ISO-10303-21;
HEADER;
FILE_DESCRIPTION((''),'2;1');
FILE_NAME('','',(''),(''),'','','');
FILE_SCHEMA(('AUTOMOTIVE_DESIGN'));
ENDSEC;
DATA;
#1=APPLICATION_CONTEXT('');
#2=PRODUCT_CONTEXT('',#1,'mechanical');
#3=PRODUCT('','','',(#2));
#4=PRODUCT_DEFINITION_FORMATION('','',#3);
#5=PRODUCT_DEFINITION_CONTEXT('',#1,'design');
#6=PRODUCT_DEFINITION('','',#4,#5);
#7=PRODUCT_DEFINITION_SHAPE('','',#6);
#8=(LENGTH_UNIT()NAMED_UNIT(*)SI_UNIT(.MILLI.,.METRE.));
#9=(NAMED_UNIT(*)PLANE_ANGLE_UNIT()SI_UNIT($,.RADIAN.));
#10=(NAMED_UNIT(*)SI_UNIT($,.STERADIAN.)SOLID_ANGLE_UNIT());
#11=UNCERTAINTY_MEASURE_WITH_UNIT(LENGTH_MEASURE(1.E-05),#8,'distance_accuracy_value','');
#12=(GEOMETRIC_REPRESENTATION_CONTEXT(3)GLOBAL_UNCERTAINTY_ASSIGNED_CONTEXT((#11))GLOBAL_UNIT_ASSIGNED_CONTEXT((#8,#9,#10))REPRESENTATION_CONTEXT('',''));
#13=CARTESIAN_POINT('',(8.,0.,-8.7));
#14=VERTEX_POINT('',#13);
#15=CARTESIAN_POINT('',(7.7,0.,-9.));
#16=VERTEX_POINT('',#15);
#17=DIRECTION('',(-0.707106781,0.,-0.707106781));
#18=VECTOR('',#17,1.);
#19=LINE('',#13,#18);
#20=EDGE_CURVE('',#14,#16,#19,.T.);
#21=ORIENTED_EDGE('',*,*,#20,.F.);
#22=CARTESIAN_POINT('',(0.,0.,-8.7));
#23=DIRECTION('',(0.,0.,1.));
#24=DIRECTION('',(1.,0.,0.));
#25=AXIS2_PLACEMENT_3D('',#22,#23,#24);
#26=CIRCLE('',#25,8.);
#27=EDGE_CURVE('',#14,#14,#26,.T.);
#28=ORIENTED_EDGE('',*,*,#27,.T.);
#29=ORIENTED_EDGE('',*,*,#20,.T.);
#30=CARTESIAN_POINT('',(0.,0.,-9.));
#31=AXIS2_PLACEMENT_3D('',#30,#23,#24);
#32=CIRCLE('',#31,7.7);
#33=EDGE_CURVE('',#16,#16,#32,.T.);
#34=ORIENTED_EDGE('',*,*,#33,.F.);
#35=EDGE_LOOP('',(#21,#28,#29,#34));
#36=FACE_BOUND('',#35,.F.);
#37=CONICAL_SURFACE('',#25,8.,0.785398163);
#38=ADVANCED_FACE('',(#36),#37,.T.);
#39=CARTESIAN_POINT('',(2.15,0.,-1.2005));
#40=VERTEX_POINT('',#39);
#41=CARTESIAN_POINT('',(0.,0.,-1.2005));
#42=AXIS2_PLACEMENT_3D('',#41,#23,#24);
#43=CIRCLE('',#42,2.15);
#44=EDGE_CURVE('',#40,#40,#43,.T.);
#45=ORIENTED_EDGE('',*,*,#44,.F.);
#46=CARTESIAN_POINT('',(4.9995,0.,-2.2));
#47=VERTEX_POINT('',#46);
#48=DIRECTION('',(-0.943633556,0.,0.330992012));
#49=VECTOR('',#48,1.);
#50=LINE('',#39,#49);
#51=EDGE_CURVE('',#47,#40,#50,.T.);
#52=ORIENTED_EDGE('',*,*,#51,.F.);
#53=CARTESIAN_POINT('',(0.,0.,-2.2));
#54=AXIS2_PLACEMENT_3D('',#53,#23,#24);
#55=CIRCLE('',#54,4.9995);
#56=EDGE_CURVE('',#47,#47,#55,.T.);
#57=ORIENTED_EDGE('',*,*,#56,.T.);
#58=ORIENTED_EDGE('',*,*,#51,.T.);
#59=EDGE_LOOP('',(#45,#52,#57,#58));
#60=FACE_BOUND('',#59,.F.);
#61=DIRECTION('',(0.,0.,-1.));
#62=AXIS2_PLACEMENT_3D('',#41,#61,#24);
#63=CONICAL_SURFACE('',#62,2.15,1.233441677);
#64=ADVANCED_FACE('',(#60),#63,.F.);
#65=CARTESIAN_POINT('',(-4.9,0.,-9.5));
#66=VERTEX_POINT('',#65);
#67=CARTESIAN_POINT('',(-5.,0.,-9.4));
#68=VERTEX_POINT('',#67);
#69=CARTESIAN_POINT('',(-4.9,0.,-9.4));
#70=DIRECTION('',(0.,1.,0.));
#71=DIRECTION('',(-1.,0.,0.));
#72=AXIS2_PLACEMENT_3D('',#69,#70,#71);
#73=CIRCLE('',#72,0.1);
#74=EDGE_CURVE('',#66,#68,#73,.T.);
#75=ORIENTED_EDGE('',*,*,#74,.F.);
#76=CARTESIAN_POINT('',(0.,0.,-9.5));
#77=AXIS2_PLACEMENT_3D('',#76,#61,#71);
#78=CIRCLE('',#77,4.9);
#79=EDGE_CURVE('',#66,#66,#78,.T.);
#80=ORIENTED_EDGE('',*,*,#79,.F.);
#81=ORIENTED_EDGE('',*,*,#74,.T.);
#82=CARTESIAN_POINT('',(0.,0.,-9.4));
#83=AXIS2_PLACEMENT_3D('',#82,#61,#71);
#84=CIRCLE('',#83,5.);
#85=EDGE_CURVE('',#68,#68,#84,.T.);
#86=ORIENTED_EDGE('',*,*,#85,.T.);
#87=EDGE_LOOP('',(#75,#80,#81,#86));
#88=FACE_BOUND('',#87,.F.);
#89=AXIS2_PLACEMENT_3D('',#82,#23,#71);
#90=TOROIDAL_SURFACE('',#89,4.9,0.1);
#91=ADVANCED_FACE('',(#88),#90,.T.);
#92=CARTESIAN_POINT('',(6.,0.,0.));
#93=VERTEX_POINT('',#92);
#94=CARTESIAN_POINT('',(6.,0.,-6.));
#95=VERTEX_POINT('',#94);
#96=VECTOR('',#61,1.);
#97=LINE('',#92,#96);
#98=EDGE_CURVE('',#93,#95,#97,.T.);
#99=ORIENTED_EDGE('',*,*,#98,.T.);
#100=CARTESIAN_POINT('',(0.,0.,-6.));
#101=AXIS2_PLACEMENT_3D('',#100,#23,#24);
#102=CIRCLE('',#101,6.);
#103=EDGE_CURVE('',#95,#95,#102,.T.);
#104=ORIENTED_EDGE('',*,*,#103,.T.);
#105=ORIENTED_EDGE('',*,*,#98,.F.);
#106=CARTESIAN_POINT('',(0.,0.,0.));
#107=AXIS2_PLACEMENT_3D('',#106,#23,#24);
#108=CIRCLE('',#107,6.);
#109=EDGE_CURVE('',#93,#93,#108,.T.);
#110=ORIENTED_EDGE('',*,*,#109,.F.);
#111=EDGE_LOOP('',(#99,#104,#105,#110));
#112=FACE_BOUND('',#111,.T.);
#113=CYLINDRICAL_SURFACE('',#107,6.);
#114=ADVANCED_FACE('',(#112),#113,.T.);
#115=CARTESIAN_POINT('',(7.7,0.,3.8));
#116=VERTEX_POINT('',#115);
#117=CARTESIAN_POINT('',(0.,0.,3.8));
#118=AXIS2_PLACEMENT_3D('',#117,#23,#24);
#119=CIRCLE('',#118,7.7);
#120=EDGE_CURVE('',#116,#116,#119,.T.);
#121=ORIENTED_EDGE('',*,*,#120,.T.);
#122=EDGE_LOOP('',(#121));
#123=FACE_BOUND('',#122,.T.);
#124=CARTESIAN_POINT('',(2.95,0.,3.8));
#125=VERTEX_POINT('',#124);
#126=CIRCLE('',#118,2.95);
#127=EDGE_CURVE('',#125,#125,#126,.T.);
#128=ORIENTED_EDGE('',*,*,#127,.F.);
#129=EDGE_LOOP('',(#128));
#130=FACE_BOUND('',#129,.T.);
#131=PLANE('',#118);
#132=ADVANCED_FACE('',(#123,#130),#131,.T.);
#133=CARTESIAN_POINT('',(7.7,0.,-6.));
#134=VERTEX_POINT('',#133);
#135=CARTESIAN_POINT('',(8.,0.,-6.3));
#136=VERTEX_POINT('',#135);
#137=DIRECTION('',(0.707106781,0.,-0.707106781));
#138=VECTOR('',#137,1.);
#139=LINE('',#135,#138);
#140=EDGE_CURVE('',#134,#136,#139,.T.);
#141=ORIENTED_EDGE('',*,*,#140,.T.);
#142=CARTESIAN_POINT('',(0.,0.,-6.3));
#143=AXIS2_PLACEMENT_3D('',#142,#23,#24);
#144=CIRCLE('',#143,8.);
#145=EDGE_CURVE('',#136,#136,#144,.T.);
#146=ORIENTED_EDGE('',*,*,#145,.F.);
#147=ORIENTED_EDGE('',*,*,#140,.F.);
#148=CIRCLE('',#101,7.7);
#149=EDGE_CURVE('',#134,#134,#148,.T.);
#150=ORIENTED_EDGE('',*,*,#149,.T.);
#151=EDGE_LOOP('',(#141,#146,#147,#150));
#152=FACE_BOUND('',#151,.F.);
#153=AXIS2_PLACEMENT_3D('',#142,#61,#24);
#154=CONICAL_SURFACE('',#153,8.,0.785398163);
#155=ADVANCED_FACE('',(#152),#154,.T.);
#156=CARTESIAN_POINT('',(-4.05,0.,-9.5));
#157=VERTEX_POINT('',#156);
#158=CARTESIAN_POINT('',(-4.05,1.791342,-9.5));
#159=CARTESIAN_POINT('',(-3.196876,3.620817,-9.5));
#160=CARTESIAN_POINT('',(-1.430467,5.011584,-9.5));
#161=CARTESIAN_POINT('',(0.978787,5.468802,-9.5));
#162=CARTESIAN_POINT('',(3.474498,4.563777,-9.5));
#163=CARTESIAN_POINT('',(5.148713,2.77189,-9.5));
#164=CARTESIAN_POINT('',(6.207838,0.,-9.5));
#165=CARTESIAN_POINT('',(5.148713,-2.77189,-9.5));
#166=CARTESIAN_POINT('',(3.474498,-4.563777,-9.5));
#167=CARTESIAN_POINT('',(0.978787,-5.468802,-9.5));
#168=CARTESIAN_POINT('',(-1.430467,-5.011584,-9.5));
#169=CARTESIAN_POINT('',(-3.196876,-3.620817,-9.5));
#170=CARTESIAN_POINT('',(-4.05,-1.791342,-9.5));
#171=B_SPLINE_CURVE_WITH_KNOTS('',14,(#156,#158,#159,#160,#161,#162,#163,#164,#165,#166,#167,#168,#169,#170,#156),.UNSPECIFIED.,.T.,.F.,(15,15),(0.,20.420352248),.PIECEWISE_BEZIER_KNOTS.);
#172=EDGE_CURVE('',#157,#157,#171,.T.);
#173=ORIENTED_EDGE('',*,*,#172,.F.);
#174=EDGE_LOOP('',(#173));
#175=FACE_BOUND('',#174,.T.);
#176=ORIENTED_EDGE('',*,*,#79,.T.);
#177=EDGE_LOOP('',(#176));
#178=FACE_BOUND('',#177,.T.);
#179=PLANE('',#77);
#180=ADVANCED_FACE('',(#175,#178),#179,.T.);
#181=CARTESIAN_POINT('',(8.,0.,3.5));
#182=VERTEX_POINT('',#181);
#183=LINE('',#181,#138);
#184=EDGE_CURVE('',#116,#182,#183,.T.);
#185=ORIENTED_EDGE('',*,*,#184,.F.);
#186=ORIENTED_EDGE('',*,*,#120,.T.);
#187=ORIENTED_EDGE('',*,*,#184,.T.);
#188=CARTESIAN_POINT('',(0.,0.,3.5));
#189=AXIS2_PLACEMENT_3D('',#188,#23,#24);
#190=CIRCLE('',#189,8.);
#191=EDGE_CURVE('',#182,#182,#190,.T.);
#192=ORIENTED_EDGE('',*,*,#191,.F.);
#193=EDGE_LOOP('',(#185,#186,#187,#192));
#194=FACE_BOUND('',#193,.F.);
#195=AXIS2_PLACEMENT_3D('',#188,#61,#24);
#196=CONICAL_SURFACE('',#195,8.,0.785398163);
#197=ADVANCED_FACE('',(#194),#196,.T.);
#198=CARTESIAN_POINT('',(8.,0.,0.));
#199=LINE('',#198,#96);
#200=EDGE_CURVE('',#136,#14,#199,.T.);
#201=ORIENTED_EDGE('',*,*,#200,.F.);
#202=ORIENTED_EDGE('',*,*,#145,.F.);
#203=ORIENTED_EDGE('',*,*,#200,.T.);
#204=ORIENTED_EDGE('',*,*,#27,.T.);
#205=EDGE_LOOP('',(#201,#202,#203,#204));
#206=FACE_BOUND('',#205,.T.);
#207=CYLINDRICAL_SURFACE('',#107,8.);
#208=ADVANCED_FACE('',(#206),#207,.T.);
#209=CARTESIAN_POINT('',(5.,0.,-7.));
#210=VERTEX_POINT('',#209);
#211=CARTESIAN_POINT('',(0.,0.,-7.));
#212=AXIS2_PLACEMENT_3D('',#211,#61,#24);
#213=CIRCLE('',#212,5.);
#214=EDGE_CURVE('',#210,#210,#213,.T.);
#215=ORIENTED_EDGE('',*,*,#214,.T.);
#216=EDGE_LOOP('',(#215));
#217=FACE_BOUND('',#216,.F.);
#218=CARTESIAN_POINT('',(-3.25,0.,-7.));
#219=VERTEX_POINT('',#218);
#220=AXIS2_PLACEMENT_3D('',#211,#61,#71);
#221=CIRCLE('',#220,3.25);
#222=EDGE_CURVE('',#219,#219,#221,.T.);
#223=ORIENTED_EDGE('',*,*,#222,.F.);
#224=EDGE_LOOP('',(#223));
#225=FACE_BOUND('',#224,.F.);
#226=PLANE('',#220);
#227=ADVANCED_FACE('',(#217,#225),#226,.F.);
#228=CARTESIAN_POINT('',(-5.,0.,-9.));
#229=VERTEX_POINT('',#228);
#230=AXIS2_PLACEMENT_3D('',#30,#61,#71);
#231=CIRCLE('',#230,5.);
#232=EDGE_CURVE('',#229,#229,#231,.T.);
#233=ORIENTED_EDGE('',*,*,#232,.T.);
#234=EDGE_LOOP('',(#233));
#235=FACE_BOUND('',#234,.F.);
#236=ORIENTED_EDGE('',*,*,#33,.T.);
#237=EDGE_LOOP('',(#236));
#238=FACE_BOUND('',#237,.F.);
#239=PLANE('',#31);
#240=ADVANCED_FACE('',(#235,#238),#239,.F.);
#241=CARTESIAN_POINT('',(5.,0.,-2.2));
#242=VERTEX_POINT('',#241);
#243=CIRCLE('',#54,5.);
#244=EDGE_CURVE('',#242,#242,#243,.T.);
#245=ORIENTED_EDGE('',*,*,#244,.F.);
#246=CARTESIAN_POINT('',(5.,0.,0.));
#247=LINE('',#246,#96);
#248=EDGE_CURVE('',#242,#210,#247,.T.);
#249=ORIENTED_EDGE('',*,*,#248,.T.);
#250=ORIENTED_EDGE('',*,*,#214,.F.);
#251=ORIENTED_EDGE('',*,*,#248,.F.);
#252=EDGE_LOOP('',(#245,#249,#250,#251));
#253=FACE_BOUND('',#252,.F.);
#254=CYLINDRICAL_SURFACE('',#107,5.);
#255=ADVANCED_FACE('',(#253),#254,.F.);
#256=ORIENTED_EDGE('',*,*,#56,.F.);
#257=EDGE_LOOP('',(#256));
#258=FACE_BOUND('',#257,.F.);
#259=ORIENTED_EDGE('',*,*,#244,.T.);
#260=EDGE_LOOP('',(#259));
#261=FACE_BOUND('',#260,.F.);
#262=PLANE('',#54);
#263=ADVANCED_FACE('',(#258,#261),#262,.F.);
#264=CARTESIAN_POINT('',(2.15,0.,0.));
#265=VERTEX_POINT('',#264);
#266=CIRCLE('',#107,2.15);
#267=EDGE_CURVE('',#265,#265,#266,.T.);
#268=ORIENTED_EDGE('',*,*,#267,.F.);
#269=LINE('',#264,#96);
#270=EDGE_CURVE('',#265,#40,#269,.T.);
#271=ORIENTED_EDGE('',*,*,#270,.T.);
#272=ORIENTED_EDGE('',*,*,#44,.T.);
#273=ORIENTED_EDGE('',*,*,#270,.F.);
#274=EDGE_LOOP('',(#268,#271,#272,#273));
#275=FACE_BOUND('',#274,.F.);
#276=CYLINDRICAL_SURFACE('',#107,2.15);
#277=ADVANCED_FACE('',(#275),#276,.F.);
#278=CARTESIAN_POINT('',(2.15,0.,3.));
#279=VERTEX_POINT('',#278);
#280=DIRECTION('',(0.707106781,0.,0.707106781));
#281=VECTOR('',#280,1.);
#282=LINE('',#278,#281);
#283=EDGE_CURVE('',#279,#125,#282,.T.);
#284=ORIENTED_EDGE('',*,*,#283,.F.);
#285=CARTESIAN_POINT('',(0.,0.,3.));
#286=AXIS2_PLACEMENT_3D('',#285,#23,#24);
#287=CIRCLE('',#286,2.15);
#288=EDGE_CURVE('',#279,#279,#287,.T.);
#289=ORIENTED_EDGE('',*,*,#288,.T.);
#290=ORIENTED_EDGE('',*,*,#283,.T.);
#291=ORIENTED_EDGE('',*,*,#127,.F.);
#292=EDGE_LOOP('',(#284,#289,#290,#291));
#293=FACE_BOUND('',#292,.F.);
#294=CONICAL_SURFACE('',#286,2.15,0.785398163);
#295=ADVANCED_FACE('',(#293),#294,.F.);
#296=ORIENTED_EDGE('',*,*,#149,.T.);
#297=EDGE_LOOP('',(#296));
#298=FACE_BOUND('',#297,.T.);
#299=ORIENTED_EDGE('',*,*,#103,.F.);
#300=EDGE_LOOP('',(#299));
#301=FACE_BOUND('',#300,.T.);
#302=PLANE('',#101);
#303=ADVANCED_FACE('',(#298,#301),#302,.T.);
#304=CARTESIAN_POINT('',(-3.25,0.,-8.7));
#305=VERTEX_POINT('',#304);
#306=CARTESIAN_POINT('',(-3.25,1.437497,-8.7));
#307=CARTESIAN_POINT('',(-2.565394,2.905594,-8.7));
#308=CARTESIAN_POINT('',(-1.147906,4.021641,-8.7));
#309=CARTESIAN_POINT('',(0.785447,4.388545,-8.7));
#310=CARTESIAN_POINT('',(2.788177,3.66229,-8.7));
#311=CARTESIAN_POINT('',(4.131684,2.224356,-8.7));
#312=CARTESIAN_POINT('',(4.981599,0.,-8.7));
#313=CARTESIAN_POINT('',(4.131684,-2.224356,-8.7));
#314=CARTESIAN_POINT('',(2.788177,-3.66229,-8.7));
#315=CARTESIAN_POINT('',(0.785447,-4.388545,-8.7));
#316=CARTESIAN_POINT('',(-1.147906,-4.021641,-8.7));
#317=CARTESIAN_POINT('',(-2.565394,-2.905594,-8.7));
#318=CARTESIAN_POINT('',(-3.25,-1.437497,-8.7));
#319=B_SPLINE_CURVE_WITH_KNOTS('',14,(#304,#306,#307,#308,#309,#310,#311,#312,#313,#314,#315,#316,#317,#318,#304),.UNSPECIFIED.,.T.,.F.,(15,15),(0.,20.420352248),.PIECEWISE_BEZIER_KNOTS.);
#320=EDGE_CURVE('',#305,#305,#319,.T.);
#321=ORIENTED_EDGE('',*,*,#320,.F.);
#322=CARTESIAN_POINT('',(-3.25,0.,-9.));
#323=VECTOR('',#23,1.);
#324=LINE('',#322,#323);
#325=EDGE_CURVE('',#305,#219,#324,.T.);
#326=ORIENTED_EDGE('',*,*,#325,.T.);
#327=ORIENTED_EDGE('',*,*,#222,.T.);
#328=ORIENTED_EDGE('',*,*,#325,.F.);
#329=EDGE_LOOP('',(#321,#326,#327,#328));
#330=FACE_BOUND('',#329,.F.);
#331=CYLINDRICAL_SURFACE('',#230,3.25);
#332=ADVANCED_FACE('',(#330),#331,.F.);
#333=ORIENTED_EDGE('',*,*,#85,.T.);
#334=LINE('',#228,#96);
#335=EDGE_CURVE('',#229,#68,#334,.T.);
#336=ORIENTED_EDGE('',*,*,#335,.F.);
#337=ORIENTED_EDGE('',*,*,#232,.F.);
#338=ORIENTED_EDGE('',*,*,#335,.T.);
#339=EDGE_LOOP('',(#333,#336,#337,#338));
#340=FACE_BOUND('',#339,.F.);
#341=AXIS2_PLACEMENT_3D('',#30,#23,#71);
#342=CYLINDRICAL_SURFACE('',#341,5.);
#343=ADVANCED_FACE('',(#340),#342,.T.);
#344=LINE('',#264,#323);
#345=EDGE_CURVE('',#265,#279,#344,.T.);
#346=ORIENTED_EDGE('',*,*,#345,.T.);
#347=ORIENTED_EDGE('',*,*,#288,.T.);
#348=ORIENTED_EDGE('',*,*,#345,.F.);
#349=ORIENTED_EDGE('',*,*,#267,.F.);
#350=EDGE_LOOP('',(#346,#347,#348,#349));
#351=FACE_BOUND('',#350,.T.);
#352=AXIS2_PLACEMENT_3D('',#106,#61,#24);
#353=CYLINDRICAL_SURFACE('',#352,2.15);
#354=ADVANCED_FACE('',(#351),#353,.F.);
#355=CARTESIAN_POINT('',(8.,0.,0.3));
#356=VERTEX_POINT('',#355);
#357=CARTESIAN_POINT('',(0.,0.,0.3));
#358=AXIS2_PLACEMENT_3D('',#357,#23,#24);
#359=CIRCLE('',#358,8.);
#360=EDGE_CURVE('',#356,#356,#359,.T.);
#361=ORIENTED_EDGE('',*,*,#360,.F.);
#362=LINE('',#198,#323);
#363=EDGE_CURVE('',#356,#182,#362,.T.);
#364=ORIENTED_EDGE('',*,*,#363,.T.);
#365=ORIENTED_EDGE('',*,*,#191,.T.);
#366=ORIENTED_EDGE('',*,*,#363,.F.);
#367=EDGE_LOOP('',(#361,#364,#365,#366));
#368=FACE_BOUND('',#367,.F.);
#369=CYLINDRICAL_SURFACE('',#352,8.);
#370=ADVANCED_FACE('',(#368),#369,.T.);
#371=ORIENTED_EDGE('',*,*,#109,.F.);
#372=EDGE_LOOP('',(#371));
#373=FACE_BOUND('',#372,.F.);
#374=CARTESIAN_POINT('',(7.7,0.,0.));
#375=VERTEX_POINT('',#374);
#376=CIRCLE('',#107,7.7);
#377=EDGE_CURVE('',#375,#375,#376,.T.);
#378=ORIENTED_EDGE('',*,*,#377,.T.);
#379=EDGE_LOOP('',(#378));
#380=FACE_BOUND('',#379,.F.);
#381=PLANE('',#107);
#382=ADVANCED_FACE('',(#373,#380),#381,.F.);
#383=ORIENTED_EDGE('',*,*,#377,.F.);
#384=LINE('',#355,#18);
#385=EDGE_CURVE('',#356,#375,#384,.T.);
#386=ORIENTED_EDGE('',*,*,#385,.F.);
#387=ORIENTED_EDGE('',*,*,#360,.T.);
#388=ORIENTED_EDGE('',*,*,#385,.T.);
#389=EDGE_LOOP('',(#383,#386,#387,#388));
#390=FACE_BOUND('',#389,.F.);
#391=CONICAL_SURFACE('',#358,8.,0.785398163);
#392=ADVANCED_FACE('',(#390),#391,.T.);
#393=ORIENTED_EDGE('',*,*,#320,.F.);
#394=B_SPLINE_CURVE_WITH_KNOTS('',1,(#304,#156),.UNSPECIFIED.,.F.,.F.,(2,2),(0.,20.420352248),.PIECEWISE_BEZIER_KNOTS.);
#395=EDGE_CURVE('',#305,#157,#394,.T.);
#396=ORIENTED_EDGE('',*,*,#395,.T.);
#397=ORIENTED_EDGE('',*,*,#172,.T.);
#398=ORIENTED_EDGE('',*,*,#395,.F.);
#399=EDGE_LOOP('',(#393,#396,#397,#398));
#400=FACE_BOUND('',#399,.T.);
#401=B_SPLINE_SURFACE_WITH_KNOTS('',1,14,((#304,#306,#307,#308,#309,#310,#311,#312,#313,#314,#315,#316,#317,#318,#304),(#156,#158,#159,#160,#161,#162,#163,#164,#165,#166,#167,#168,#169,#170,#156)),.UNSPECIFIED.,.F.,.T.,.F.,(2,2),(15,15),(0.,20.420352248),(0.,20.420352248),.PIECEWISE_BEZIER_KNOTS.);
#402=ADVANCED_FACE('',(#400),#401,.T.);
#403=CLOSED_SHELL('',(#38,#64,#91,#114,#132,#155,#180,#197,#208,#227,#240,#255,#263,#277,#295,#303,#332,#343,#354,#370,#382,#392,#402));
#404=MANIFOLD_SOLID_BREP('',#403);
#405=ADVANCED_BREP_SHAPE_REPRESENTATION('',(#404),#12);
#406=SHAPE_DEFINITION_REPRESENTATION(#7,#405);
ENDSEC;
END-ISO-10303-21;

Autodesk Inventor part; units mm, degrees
ref_plane "YZ Plane" through (0, 0, 0) normal (1, 0, 0) x (0, 1, 0)
ref_plane "XZ Plane" through (0, 0, 0) normal (0, 1, 0) x (-1, 0, 0)
ref_plane "XY Plane" through (0, 0, 0) normal (0, 0, 1) x (1, 0, 0)
sketch "Эскиз1" plane through (0, 0, 0) normal (0, 0, 1) x (1, 0, 0)
  line L0 (0, 0) -> (0, 15) construction
  line L1 (0, 0) -> (-22, 0) construction
  circle A0 centre (0, 0) radius 2.15
  circle A1 centre (0, 0) radius 8
  circle A2 centre (0, 0) radius 6
  circle A3 centre (0, 0) radius 5
  dimension "d0" = 4.3
  dimension "d1" = 16
  dimension "d2" = 12
  dimension "d3" = 10
extrude "Выдавливание1" add sketch "Эскиз1" along normal blind 3.8 contours A1 | A2 | A3
extrude "Выдавливание2" add sketch "Эскиз1" against normal blind 9 contours A1 | A2
extrude "Выдавливание3" cut sketch "Эскиз1" against normal blind 6 contours A1
extrude "Выдавливание4" add sketch "Эскиз1" against normal blind 2.2 contours A3
chamfer "Фаска1" distance 2.85 distance2 1 1 edges at (-2.15, 0, -2.2) measured on face at (4.0016, -0.3989, -2.2)
sketch "Эскиз2" plane through (0, 0, -9) normal (0, 0, -1) x (-1, 0, 0)
  circle A0 centre (0, 0) radius 5
  circle A1 centre (0, 0) radius 3.25
  dimension "d15" = 10
  dimension "d16" = 6.5
extrude "Выдавливание5" add sketch "Эскиз2" along normal blind 0.5 and the other way blind 2
chamfer "Фаска2" distance 0.8 angle 45 1 edges at (3.25, 0, -9.5)
fillet "Сопряжение1" radius 0.1 1 edges at (5, 0, -9.5)
chamfer "Фаска3" distance 0.8 angle 45 1 edges at (-2.15, 0, 3.8)
chamfer "Фаска4" distance 0.3 angle 45 4 edges at (-8, 0, 3.8) (-8, 0, 0) (-8, 0, -6) (-8, 0, -9)
properties part number "втулка фитинг"
